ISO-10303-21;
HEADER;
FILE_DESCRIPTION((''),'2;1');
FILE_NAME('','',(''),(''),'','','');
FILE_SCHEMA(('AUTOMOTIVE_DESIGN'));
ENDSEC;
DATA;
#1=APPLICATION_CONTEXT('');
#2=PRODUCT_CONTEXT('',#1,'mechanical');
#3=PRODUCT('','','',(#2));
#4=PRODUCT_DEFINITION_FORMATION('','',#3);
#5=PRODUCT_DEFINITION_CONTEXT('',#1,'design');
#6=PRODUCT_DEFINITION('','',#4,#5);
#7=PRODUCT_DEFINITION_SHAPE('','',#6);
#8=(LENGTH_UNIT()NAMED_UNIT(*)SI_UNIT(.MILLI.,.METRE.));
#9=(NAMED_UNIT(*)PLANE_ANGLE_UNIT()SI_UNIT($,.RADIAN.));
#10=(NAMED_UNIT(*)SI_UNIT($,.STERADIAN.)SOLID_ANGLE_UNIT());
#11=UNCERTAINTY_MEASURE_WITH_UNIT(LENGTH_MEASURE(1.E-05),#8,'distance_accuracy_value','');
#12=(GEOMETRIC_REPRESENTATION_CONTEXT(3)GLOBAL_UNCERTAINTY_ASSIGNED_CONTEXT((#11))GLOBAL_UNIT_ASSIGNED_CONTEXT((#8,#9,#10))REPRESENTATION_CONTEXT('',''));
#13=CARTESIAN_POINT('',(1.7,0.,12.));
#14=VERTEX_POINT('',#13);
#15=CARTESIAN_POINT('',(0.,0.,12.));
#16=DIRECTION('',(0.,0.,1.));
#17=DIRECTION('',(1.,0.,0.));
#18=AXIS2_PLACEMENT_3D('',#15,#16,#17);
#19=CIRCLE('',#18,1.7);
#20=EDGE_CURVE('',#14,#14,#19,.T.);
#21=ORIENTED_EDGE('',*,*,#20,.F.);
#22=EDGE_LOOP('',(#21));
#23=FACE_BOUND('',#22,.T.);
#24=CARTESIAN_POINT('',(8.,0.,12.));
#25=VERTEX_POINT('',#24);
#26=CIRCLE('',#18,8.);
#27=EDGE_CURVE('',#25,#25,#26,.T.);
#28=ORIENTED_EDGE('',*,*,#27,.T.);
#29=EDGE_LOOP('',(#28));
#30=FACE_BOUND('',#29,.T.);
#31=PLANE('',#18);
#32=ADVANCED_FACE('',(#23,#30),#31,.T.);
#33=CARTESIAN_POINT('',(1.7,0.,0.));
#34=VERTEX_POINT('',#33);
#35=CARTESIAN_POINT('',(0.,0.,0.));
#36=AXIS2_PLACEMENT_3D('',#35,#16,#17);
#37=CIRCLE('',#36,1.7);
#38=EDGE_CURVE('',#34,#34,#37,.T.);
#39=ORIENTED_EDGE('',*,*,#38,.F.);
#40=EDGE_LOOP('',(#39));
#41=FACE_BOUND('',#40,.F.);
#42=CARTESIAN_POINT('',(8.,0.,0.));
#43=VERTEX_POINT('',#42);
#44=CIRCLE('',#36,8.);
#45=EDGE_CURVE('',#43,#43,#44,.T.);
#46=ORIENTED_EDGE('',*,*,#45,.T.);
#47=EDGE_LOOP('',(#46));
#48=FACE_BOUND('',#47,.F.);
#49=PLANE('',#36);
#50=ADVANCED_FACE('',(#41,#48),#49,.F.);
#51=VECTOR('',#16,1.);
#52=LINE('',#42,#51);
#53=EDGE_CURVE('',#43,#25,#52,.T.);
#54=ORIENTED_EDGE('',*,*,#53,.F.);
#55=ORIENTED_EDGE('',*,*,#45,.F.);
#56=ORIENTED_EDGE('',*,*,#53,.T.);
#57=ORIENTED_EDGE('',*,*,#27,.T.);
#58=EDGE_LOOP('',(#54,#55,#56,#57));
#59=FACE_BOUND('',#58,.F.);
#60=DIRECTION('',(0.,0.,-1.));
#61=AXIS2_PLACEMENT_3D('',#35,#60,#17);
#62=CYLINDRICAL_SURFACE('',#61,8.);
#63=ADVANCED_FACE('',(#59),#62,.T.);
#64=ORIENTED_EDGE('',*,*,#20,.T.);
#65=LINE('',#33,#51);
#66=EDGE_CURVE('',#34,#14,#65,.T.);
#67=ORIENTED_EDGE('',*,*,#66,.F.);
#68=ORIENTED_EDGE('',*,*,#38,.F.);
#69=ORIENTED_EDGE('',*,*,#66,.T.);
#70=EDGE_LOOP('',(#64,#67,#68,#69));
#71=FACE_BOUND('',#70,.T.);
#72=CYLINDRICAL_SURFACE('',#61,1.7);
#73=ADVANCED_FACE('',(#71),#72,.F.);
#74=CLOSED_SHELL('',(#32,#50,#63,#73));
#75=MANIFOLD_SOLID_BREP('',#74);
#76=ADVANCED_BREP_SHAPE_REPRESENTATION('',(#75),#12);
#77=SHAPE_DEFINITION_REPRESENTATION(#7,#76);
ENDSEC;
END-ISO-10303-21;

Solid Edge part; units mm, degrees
sketch "Sketch1" plane through (0, 0, 0) normal (0, 0, 1) x (1, 0, 0)
  circle A0 centre (0, 0) radius 8
  circle A1 centre (0, 0) radius 1.7
  dimension "D1" = 16
extrude "Protrusion1" add sketch "Sketch1" along normal blind 12
